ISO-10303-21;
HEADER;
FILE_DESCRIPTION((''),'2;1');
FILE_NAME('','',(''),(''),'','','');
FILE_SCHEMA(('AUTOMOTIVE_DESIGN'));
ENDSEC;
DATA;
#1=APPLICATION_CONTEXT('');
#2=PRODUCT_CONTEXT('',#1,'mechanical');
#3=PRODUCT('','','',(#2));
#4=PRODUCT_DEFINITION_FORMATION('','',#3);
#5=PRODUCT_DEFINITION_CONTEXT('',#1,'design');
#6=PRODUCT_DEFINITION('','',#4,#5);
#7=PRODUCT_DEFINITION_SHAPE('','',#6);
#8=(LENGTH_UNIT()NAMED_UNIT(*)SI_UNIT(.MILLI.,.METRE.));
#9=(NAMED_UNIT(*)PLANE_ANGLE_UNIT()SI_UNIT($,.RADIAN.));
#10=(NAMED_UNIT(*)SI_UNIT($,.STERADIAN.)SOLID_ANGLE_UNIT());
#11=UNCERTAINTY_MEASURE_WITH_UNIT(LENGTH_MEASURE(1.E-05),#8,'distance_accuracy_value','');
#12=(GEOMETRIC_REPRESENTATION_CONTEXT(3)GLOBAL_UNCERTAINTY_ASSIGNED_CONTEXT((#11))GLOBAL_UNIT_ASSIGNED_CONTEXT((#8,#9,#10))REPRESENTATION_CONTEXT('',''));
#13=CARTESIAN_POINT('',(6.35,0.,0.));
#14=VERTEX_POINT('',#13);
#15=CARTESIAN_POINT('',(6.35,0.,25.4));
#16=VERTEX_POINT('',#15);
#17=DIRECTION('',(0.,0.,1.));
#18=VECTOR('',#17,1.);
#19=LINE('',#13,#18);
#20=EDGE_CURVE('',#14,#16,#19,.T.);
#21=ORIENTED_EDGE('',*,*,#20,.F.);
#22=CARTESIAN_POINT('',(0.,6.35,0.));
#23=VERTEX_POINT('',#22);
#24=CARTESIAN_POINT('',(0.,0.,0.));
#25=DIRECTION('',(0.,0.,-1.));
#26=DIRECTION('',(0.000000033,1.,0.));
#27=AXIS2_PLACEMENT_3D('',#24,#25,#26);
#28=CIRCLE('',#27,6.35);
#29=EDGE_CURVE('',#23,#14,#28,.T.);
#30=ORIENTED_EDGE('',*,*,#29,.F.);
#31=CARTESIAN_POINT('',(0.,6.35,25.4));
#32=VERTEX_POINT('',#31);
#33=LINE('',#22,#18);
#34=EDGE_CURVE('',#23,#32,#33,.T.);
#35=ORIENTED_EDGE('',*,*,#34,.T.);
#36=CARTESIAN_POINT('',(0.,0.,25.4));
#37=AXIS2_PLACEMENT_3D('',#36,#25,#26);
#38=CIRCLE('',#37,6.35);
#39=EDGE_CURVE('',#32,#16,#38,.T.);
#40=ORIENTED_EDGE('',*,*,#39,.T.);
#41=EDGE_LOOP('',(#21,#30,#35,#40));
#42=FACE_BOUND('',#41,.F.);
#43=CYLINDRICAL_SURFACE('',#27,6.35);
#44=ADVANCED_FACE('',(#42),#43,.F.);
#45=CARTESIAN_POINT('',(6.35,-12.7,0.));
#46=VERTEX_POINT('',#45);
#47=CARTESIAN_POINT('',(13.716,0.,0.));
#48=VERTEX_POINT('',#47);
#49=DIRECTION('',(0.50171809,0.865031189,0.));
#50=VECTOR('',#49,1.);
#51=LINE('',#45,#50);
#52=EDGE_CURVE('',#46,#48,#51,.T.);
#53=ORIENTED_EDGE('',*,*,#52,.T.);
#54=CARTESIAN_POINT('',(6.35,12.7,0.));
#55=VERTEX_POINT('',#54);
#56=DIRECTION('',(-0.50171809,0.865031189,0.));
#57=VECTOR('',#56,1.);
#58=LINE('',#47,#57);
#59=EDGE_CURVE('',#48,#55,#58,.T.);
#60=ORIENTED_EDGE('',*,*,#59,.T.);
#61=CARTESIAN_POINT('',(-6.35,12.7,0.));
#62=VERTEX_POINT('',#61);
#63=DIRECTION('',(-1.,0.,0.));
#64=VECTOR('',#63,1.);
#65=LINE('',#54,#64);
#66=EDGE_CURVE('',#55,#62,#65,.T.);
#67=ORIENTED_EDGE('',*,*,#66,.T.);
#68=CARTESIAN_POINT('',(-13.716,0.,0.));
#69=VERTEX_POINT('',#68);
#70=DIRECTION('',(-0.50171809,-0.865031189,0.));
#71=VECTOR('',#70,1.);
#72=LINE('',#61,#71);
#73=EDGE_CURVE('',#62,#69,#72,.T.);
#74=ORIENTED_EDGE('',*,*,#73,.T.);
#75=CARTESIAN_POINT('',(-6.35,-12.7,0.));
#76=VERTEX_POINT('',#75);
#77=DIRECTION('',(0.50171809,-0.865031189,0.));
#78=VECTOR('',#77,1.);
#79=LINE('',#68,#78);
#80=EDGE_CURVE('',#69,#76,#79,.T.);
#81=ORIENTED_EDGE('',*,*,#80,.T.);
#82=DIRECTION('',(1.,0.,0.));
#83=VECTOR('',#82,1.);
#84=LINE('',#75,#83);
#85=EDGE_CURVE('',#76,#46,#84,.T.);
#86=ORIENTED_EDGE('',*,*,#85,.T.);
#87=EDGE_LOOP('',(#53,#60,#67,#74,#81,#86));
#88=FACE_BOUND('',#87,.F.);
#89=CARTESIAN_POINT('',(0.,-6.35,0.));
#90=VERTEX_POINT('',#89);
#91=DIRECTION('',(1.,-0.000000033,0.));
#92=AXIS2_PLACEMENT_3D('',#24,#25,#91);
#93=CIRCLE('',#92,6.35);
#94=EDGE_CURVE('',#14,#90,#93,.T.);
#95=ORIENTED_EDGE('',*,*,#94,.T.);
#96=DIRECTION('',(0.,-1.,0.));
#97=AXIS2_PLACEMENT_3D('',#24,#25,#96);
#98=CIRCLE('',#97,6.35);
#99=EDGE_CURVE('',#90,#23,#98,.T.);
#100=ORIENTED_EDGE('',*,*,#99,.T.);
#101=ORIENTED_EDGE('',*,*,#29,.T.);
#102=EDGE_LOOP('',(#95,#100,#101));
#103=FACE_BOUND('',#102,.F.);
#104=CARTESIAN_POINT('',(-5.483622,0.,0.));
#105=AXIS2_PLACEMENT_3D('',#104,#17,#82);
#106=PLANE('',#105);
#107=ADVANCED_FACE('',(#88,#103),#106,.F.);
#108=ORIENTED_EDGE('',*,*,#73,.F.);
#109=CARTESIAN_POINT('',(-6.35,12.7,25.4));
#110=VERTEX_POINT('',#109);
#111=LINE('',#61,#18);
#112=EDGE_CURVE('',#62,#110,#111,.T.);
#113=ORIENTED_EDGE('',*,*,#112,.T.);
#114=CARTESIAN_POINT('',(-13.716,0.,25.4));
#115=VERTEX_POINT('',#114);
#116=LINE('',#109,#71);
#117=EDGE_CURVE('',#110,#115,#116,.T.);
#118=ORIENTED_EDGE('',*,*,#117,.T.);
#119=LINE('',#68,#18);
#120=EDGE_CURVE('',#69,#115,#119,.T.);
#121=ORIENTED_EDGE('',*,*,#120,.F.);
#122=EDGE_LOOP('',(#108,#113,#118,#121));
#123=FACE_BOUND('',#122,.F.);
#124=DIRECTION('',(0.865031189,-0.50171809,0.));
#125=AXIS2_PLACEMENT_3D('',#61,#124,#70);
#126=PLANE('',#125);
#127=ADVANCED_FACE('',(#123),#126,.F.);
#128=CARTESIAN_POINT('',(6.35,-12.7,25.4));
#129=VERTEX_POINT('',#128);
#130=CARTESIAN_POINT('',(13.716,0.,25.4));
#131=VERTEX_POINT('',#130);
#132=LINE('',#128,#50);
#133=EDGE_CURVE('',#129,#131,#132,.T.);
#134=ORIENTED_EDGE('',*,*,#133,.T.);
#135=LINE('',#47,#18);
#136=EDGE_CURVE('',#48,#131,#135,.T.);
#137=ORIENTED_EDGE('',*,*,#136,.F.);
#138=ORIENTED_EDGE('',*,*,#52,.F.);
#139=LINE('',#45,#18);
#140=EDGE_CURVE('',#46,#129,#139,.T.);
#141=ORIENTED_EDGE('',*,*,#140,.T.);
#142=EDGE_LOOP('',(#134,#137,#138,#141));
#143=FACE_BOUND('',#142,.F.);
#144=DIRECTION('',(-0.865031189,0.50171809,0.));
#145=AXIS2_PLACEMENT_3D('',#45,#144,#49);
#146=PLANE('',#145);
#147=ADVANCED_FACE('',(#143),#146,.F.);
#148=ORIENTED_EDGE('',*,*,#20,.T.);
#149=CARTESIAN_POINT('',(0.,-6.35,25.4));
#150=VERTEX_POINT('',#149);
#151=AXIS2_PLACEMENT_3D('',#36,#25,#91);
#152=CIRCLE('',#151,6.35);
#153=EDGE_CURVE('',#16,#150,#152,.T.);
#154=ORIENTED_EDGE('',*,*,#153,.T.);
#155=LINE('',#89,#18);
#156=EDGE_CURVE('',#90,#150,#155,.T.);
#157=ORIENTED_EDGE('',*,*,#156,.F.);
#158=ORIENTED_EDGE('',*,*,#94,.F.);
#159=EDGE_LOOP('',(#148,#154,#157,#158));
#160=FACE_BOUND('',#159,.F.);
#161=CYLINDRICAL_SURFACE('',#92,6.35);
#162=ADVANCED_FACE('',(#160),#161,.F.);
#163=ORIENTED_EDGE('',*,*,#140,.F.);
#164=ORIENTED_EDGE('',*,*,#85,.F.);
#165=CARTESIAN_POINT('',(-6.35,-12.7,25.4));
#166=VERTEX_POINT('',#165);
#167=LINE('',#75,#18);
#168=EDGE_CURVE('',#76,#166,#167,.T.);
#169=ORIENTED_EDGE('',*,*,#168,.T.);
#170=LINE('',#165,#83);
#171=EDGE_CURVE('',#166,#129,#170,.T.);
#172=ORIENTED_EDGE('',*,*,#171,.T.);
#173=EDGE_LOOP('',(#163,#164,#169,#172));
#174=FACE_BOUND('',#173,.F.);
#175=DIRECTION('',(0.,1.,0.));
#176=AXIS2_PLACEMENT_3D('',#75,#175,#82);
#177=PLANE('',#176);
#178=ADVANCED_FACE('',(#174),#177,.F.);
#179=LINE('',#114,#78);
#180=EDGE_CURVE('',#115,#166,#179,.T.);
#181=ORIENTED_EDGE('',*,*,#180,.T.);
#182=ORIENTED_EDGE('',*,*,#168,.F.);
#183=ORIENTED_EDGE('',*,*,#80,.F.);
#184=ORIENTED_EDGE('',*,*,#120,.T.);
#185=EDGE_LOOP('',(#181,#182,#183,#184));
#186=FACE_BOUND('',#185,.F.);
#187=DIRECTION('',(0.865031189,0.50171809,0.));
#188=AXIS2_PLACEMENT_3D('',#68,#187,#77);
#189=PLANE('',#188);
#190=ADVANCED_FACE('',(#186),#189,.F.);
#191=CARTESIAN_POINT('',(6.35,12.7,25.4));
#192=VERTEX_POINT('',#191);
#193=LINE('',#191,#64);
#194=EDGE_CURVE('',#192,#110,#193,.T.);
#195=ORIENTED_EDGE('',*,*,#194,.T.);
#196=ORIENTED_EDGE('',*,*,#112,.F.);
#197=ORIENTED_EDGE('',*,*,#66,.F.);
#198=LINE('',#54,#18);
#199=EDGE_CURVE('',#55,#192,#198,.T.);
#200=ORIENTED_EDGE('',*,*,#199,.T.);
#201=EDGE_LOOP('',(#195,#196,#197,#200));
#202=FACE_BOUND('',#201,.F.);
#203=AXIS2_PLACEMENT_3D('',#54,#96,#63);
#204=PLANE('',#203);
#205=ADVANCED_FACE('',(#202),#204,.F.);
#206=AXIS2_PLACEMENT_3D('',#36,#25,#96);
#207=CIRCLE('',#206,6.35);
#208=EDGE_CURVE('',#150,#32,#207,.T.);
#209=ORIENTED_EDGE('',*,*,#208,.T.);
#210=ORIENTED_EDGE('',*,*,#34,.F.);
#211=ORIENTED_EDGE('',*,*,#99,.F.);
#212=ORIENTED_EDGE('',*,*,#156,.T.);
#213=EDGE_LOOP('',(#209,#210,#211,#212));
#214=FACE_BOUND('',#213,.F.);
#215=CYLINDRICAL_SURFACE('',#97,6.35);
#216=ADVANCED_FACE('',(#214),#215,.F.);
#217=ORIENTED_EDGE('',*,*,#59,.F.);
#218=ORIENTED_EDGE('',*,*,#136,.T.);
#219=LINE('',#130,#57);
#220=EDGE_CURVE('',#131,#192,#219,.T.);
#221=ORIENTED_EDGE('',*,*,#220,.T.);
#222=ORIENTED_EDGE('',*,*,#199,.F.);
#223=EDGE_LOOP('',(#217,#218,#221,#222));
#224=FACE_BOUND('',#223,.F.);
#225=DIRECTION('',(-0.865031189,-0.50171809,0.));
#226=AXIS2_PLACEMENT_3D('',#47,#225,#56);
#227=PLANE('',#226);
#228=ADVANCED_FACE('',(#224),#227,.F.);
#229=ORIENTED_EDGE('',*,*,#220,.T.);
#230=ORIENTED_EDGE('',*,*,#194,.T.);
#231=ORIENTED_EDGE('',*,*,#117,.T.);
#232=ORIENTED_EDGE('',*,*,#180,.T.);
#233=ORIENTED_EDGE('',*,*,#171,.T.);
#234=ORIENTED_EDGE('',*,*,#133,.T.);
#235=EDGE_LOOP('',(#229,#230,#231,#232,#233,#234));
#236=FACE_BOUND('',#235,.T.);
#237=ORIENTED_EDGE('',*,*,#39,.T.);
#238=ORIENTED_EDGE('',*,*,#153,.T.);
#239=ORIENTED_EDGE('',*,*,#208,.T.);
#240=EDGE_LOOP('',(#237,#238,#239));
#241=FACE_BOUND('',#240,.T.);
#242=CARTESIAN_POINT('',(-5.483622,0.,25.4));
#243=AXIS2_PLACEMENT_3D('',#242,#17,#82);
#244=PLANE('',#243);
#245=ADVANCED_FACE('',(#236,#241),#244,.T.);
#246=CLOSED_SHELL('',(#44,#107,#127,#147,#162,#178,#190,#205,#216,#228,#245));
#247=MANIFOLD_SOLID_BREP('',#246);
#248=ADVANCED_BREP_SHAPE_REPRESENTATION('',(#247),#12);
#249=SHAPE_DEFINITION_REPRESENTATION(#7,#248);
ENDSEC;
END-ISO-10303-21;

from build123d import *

# Parameters (mm, degrees)
F1_DEPTH = 25.4


with BuildPart() as f1:
    # F0 (on Top) → F1 (new body)
    with BuildSketch(Plane.XY):
        with BuildLine():
            ThreePointArc((0, -6.35), (-6.35, 0), (0, 6.35))
            Line((0, 6.35), (0, 12.7))
            Line((0, 12.7), (-6.35, 12.7))
            Line((-6.35, 12.7), (-13.716, 0))
            Line((-13.716, 0), (-6.35, -12.7))
            Line((-6.35, -12.7), (0, -12.7))
            Line((0, -12.7), (0, -6.35))
        make_face()
        with BuildLine():
            Line((0, 12.7), (0, 6.35))
            ThreePointArc((0, 6.35), (4.490128, 4.490128), (6.35, 0))
            ThreePointArc((6.35, 0), (4.490128, -4.490128), (0, -6.35))
            Line((0, -6.35), (0, -12.7))
            Line((0, -12.7), (6.35, -12.7))
            Line((6.35, -12.7), (13.716, 0))
            Line((13.716, 0), (6.35, 12.7))
            Line((6.35, 12.7), (0, 12.7))
        make_face()
    extrude(amount=F1_DEPTH)


solid = f1.part
